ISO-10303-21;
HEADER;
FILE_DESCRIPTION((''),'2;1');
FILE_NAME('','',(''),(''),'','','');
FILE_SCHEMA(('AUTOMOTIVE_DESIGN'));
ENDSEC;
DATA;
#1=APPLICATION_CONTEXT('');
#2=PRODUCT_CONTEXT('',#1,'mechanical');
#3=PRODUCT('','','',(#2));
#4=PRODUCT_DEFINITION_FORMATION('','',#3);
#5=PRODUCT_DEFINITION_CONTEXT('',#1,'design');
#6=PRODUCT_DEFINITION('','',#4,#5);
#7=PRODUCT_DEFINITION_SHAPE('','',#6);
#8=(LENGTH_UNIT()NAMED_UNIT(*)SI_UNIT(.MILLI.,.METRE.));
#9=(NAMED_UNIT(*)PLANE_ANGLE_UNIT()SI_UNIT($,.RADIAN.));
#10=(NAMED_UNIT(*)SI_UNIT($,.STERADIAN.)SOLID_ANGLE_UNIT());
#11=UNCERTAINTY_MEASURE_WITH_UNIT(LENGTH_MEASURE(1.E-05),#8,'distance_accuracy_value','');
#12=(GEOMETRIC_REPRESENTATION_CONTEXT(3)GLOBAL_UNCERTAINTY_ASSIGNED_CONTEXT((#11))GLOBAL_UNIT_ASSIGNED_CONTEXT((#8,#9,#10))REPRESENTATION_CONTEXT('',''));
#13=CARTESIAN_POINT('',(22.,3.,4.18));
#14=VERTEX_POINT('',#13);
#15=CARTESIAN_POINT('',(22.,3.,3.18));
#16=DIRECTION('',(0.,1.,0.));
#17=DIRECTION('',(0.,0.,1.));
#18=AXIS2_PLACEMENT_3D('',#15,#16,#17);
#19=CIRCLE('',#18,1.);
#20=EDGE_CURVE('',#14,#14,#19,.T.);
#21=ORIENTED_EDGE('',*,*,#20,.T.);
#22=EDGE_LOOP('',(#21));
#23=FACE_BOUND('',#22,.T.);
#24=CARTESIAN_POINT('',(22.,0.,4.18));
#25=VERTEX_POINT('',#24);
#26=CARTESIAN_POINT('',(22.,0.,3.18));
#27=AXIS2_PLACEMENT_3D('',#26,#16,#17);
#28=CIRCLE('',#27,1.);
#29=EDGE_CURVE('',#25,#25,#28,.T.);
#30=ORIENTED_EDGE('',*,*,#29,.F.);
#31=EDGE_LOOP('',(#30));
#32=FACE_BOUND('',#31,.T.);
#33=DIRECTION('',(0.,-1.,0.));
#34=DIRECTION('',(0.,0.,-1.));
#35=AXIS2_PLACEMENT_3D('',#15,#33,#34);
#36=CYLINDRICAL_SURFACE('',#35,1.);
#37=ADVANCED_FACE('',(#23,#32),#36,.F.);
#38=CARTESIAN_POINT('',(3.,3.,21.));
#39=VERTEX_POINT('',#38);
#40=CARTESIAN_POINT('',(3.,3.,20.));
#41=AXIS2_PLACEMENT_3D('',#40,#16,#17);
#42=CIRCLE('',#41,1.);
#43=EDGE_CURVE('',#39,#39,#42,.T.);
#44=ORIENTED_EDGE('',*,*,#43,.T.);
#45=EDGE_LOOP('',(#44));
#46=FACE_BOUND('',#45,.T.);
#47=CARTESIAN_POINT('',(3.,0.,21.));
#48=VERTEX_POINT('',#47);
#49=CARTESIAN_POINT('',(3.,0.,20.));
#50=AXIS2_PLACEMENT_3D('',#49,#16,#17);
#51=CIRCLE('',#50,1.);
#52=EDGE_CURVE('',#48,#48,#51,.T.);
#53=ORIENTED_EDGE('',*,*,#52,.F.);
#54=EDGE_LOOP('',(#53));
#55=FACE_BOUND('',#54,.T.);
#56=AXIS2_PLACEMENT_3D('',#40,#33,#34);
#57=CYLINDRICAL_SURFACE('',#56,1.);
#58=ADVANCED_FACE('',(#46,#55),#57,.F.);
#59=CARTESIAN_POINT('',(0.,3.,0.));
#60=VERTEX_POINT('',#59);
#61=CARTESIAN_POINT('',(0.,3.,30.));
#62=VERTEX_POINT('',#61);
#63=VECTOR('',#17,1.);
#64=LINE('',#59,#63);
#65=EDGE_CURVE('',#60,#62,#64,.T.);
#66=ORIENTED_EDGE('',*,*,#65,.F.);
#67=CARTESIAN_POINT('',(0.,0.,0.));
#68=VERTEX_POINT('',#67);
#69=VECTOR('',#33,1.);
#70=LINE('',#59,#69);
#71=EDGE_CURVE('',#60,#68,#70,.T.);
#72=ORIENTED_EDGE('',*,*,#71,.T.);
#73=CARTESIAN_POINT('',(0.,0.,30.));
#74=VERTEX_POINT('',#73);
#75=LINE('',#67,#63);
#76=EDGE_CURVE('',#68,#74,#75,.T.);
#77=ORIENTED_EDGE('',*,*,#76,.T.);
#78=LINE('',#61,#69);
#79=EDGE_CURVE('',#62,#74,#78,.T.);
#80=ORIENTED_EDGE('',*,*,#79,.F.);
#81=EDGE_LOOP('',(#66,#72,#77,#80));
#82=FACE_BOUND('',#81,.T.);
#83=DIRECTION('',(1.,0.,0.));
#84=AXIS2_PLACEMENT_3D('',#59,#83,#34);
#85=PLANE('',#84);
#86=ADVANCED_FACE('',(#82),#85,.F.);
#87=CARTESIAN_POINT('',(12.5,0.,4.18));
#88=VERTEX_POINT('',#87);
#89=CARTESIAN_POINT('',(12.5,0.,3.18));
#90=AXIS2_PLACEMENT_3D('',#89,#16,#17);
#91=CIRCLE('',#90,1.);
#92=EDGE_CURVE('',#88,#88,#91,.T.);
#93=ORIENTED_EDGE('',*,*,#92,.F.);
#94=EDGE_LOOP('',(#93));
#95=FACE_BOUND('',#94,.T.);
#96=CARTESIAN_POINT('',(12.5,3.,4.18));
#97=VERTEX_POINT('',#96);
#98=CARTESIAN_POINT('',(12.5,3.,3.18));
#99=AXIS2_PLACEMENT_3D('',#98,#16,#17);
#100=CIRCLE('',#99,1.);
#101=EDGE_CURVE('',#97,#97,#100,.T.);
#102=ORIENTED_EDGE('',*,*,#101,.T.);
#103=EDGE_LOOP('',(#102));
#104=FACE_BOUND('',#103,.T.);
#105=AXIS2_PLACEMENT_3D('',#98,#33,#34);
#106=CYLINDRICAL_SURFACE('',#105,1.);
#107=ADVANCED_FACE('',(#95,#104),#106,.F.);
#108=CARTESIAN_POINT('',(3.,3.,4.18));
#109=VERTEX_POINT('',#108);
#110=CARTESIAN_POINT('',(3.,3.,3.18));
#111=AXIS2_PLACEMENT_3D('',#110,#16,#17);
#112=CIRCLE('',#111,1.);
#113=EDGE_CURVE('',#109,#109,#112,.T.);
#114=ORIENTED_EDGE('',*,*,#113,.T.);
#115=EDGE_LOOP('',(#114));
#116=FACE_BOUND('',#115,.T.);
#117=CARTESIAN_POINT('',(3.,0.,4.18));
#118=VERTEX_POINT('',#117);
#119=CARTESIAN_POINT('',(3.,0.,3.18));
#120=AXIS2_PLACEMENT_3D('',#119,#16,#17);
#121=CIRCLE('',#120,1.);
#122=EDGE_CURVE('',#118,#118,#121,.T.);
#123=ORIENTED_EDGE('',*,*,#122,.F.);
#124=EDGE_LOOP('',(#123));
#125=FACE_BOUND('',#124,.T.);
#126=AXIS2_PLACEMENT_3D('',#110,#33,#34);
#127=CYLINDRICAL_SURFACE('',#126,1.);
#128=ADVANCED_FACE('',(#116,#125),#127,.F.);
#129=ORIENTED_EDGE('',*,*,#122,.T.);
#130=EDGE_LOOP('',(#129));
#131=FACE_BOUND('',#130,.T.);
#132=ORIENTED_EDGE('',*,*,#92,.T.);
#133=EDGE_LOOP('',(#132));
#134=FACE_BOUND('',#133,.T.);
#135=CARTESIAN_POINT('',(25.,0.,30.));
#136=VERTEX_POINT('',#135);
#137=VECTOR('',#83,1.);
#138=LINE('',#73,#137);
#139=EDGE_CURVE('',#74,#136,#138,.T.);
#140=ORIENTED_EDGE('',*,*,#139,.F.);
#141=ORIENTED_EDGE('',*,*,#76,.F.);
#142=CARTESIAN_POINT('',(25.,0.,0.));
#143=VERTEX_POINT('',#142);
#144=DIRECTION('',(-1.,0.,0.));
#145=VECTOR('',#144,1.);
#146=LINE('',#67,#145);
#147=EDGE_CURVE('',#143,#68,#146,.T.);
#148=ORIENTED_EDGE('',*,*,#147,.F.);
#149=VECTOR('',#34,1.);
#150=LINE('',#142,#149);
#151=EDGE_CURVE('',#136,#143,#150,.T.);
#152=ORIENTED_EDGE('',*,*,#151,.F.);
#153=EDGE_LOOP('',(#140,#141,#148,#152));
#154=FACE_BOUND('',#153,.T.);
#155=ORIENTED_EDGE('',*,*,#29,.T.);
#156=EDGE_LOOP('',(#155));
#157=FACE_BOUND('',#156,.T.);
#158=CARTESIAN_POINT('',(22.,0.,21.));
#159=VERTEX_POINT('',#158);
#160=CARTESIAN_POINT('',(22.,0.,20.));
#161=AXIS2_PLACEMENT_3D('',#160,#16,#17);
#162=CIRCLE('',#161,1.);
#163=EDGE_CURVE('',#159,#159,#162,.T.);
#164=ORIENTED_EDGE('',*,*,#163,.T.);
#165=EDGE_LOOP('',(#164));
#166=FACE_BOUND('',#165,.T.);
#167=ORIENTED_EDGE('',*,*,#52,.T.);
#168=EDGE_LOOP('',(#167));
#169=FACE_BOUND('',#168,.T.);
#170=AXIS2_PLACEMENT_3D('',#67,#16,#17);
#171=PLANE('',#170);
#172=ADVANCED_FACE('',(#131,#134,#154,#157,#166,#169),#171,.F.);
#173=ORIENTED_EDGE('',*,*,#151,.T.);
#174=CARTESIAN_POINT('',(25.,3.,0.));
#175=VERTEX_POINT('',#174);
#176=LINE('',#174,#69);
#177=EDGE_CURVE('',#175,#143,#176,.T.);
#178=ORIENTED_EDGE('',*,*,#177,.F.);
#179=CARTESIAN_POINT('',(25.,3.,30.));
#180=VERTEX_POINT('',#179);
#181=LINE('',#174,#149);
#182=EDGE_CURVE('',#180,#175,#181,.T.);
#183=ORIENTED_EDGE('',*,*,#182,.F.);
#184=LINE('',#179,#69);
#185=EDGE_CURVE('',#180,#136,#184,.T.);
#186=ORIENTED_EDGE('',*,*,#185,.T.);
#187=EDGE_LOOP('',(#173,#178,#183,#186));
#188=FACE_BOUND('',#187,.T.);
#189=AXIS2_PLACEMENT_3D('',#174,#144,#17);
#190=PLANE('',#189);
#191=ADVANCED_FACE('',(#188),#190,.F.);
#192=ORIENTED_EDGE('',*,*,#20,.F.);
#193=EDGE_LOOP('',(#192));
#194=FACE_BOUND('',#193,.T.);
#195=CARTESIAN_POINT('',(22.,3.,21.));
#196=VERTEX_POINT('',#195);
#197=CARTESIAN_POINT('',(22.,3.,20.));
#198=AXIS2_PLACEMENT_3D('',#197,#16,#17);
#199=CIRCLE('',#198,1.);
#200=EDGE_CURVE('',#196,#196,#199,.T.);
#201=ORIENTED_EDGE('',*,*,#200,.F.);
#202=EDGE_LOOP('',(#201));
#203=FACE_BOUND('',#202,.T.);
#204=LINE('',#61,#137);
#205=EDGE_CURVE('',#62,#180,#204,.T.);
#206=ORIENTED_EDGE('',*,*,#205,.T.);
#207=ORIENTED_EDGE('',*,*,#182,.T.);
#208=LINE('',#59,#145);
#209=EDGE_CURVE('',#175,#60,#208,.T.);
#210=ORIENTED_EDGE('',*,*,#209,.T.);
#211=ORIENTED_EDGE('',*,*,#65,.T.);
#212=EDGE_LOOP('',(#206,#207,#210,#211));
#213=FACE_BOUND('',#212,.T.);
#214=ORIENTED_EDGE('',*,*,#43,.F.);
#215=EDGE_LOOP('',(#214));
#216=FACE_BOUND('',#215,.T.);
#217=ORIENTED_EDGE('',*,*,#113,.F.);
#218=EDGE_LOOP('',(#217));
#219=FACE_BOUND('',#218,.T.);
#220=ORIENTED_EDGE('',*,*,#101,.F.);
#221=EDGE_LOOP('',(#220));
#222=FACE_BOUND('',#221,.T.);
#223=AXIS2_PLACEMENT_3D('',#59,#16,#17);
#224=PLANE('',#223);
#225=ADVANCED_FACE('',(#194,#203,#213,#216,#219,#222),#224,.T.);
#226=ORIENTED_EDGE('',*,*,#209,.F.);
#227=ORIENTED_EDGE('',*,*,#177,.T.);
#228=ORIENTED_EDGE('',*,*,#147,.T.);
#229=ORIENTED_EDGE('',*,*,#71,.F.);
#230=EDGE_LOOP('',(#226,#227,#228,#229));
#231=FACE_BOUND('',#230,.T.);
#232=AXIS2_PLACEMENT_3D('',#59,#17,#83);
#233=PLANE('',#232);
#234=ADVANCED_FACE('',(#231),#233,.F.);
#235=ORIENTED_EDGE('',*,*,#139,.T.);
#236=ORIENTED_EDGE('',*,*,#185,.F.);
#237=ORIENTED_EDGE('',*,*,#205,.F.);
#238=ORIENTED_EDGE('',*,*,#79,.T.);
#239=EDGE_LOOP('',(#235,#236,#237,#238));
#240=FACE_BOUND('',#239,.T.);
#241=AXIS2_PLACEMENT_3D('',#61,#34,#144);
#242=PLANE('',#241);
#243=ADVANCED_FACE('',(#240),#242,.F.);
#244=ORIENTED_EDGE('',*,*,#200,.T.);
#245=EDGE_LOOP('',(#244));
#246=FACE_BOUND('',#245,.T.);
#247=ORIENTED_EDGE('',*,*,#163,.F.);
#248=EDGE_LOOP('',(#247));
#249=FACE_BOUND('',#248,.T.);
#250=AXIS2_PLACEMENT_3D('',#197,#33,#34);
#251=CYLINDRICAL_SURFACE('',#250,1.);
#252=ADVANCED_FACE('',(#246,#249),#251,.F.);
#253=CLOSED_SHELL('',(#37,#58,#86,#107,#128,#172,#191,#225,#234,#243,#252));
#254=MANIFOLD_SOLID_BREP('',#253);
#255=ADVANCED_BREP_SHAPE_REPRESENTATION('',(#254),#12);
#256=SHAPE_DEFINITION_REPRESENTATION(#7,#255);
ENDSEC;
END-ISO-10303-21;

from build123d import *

# Parameters (mm, degrees)
SKETCH1_W           = 25
SKETCH1_H           = 30
SKETCH1_R           = 1
BOSS_EXTRUDE1_DEPTH = 3


with BuildPart() as part:
    # Sketch1 → Boss-Extrude1 (new body)
    with BuildSketch(Plane(origin=(0, 0, 0), x_dir=(1, 0, 0), z_dir=(0, 1, 0))):
        with Locations((12.5, -15)):
            Rectangle(SKETCH1_W, SKETCH1_H)
        with Locations(Location((12.5, -3.18, 0), (0, 0, 270))):
            Circle(SKETCH1_R, mode=Mode.SUBTRACT)
        with Locations(Location((3, -20, 0), (0, 0, 270))):
            Circle(SKETCH1_R, mode=Mode.SUBTRACT)
        with Locations(Location((22, -20, 0), (0, 0, 270))):
            Circle(SKETCH1_R, mode=Mode.SUBTRACT)
        with Locations(Location((22, -3.18, 0), (0, 0, 270))):
            Circle(SKETCH1_R, mode=Mode.SUBTRACT)
        with Locations(Location((3, -3.18, 0), (0, 0, 270))):
            Circle(SKETCH1_R, mode=Mode.SUBTRACT)
    extrude(amount=BOSS_EXTRUDE1_DEPTH)


solid = part.part
